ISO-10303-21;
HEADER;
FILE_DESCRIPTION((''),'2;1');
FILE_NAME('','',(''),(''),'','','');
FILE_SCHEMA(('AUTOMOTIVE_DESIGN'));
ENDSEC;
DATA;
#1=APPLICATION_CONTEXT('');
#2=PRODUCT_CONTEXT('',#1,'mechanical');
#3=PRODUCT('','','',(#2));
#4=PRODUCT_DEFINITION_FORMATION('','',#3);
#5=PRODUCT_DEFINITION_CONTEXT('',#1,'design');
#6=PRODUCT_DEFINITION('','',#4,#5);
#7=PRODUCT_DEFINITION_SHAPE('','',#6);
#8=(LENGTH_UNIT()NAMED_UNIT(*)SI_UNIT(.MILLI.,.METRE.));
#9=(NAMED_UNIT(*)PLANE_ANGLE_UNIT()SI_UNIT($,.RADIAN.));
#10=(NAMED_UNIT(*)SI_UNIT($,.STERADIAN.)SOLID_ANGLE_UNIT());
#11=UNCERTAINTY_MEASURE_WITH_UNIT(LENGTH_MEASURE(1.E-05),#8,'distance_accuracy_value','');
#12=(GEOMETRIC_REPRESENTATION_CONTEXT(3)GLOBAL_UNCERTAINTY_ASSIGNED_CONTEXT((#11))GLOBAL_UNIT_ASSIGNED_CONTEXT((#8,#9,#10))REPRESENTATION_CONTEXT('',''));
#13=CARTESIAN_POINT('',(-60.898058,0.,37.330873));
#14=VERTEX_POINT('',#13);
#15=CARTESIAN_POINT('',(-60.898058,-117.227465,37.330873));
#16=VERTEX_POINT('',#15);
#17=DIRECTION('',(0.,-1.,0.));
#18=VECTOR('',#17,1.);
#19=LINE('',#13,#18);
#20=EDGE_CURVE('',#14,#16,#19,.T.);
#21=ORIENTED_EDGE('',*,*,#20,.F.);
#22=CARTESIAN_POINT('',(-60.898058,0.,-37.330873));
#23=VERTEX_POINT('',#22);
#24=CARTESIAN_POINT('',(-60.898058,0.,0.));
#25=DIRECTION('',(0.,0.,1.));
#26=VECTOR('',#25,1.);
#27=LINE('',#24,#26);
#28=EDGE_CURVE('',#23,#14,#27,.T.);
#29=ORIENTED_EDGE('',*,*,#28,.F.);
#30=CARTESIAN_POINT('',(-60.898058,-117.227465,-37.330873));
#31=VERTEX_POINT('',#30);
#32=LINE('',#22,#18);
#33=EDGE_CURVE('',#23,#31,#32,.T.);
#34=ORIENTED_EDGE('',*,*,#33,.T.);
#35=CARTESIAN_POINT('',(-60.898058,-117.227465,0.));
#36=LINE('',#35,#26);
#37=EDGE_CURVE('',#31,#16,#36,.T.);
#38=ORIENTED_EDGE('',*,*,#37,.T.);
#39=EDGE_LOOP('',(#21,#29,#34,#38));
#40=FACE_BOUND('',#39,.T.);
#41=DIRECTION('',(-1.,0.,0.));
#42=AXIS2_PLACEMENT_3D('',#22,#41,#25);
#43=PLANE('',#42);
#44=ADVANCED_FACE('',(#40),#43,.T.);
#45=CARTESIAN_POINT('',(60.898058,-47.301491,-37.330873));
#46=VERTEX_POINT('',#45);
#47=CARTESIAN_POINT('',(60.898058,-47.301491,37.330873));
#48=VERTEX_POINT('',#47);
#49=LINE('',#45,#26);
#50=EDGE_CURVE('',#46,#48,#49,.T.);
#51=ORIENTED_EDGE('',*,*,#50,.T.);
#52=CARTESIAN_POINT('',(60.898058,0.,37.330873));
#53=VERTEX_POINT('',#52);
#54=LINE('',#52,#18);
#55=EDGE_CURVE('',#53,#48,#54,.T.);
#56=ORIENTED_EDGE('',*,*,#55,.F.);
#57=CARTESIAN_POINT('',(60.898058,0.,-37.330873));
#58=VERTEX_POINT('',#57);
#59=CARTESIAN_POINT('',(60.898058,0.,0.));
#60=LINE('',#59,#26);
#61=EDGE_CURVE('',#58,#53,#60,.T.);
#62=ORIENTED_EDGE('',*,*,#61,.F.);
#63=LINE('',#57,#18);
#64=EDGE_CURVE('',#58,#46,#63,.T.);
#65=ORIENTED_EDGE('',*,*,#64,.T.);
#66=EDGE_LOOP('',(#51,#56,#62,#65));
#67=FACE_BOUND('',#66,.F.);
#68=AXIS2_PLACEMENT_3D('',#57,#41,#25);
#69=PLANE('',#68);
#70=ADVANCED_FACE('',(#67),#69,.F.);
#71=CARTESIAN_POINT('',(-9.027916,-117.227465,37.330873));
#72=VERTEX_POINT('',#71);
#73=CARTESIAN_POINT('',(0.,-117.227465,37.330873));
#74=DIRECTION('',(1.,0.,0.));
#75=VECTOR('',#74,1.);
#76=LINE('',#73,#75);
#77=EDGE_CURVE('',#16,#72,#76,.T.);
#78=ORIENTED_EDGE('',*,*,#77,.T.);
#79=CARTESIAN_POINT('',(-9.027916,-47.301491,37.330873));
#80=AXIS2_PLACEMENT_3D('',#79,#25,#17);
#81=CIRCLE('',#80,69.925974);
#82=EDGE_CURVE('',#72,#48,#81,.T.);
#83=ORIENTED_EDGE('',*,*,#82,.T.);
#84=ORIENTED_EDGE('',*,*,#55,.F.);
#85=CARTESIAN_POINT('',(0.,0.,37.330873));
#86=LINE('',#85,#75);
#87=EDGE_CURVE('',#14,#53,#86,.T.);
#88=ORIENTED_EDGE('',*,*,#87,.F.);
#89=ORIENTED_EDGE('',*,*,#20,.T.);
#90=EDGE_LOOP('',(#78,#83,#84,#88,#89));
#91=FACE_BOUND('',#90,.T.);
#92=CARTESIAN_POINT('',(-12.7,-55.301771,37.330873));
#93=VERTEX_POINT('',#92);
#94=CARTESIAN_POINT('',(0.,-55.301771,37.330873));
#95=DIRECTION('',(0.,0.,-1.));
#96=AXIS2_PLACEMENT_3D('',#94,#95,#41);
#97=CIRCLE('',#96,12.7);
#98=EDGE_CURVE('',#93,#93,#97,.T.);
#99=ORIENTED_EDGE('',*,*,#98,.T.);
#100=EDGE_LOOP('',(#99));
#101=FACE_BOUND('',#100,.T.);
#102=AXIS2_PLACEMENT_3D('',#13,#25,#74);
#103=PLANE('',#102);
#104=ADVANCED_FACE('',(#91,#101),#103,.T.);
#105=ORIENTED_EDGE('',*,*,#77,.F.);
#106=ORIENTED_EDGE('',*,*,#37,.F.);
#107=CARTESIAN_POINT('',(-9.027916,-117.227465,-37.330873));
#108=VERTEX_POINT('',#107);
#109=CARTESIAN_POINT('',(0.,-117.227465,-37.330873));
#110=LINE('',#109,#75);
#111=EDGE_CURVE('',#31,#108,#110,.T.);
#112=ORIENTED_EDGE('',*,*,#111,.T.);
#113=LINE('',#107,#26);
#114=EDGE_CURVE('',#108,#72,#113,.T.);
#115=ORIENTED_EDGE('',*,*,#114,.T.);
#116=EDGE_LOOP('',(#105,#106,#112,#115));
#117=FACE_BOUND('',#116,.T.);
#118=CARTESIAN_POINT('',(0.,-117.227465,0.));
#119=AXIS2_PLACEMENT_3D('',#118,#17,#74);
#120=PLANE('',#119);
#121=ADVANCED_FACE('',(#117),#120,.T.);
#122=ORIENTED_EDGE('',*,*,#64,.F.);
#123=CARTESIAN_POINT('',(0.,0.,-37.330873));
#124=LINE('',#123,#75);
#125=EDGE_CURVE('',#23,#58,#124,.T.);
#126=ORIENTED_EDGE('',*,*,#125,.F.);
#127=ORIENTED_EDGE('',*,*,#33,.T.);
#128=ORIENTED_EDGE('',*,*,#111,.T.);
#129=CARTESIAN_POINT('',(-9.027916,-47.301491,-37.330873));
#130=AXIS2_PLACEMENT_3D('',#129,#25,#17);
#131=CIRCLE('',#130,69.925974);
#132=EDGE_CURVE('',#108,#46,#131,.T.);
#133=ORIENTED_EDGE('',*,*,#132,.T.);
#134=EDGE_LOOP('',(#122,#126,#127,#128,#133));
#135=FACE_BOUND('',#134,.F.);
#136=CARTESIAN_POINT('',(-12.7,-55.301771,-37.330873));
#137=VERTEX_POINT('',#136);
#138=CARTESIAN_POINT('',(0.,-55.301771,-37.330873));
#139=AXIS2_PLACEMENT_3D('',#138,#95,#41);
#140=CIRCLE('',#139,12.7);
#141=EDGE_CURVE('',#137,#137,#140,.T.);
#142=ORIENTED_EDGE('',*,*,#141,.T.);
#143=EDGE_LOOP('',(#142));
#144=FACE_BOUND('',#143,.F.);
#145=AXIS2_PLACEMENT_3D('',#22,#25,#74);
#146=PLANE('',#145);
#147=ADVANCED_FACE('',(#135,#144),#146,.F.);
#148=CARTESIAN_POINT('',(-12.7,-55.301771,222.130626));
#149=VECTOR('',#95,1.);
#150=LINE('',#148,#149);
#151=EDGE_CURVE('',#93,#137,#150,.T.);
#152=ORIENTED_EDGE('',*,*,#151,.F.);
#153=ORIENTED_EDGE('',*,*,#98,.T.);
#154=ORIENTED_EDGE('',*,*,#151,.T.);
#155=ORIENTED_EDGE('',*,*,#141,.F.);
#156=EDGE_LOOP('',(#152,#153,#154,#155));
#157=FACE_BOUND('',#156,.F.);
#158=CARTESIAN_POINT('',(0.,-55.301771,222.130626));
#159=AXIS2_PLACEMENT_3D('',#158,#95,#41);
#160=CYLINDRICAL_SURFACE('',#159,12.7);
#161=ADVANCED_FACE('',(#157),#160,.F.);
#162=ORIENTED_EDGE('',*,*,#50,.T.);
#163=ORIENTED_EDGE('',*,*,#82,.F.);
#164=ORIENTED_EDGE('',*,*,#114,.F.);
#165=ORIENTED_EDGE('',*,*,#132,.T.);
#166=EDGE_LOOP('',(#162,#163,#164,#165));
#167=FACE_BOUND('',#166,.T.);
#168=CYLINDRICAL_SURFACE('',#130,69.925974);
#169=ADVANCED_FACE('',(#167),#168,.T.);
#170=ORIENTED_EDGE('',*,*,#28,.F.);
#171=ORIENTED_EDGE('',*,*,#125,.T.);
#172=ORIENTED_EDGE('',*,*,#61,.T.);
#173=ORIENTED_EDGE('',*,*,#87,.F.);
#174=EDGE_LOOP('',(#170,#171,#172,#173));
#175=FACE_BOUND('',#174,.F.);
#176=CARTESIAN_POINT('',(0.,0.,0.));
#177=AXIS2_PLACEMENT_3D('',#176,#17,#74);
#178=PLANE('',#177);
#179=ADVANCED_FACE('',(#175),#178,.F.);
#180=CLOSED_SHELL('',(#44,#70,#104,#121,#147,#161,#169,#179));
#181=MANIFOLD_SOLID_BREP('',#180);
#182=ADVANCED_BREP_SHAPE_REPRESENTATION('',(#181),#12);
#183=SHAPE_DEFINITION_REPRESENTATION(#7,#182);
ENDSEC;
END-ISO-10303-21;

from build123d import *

# Parameters (mm, degrees)
F0_W     = 121.796116
F0_H     = 74.661746
F1_DEPTH = 117.227465
F3_D     = 25.4
F4_R     = 69.925974


with BuildPart() as f1:
    # F0 (on Front) → F1 (new body)
    with BuildSketch(Plane.XZ):
        Rectangle(F0_W, F0_H)
    extrude(amount=F1_DEPTH)

    # F3 (through all)
    with Locations(Plane.XY.offset(37.330873)):
        with Locations((0, -55.301771)):
            Hole(F3_D / 2)

    # F4
    f4_edges = [f1.edges().sort_by_distance(p)[0] for p in [
        (60.898058, -117.227465, 0),
    ]]
    fillet(f4_edges, radius=F4_R)


solid = f1.part
